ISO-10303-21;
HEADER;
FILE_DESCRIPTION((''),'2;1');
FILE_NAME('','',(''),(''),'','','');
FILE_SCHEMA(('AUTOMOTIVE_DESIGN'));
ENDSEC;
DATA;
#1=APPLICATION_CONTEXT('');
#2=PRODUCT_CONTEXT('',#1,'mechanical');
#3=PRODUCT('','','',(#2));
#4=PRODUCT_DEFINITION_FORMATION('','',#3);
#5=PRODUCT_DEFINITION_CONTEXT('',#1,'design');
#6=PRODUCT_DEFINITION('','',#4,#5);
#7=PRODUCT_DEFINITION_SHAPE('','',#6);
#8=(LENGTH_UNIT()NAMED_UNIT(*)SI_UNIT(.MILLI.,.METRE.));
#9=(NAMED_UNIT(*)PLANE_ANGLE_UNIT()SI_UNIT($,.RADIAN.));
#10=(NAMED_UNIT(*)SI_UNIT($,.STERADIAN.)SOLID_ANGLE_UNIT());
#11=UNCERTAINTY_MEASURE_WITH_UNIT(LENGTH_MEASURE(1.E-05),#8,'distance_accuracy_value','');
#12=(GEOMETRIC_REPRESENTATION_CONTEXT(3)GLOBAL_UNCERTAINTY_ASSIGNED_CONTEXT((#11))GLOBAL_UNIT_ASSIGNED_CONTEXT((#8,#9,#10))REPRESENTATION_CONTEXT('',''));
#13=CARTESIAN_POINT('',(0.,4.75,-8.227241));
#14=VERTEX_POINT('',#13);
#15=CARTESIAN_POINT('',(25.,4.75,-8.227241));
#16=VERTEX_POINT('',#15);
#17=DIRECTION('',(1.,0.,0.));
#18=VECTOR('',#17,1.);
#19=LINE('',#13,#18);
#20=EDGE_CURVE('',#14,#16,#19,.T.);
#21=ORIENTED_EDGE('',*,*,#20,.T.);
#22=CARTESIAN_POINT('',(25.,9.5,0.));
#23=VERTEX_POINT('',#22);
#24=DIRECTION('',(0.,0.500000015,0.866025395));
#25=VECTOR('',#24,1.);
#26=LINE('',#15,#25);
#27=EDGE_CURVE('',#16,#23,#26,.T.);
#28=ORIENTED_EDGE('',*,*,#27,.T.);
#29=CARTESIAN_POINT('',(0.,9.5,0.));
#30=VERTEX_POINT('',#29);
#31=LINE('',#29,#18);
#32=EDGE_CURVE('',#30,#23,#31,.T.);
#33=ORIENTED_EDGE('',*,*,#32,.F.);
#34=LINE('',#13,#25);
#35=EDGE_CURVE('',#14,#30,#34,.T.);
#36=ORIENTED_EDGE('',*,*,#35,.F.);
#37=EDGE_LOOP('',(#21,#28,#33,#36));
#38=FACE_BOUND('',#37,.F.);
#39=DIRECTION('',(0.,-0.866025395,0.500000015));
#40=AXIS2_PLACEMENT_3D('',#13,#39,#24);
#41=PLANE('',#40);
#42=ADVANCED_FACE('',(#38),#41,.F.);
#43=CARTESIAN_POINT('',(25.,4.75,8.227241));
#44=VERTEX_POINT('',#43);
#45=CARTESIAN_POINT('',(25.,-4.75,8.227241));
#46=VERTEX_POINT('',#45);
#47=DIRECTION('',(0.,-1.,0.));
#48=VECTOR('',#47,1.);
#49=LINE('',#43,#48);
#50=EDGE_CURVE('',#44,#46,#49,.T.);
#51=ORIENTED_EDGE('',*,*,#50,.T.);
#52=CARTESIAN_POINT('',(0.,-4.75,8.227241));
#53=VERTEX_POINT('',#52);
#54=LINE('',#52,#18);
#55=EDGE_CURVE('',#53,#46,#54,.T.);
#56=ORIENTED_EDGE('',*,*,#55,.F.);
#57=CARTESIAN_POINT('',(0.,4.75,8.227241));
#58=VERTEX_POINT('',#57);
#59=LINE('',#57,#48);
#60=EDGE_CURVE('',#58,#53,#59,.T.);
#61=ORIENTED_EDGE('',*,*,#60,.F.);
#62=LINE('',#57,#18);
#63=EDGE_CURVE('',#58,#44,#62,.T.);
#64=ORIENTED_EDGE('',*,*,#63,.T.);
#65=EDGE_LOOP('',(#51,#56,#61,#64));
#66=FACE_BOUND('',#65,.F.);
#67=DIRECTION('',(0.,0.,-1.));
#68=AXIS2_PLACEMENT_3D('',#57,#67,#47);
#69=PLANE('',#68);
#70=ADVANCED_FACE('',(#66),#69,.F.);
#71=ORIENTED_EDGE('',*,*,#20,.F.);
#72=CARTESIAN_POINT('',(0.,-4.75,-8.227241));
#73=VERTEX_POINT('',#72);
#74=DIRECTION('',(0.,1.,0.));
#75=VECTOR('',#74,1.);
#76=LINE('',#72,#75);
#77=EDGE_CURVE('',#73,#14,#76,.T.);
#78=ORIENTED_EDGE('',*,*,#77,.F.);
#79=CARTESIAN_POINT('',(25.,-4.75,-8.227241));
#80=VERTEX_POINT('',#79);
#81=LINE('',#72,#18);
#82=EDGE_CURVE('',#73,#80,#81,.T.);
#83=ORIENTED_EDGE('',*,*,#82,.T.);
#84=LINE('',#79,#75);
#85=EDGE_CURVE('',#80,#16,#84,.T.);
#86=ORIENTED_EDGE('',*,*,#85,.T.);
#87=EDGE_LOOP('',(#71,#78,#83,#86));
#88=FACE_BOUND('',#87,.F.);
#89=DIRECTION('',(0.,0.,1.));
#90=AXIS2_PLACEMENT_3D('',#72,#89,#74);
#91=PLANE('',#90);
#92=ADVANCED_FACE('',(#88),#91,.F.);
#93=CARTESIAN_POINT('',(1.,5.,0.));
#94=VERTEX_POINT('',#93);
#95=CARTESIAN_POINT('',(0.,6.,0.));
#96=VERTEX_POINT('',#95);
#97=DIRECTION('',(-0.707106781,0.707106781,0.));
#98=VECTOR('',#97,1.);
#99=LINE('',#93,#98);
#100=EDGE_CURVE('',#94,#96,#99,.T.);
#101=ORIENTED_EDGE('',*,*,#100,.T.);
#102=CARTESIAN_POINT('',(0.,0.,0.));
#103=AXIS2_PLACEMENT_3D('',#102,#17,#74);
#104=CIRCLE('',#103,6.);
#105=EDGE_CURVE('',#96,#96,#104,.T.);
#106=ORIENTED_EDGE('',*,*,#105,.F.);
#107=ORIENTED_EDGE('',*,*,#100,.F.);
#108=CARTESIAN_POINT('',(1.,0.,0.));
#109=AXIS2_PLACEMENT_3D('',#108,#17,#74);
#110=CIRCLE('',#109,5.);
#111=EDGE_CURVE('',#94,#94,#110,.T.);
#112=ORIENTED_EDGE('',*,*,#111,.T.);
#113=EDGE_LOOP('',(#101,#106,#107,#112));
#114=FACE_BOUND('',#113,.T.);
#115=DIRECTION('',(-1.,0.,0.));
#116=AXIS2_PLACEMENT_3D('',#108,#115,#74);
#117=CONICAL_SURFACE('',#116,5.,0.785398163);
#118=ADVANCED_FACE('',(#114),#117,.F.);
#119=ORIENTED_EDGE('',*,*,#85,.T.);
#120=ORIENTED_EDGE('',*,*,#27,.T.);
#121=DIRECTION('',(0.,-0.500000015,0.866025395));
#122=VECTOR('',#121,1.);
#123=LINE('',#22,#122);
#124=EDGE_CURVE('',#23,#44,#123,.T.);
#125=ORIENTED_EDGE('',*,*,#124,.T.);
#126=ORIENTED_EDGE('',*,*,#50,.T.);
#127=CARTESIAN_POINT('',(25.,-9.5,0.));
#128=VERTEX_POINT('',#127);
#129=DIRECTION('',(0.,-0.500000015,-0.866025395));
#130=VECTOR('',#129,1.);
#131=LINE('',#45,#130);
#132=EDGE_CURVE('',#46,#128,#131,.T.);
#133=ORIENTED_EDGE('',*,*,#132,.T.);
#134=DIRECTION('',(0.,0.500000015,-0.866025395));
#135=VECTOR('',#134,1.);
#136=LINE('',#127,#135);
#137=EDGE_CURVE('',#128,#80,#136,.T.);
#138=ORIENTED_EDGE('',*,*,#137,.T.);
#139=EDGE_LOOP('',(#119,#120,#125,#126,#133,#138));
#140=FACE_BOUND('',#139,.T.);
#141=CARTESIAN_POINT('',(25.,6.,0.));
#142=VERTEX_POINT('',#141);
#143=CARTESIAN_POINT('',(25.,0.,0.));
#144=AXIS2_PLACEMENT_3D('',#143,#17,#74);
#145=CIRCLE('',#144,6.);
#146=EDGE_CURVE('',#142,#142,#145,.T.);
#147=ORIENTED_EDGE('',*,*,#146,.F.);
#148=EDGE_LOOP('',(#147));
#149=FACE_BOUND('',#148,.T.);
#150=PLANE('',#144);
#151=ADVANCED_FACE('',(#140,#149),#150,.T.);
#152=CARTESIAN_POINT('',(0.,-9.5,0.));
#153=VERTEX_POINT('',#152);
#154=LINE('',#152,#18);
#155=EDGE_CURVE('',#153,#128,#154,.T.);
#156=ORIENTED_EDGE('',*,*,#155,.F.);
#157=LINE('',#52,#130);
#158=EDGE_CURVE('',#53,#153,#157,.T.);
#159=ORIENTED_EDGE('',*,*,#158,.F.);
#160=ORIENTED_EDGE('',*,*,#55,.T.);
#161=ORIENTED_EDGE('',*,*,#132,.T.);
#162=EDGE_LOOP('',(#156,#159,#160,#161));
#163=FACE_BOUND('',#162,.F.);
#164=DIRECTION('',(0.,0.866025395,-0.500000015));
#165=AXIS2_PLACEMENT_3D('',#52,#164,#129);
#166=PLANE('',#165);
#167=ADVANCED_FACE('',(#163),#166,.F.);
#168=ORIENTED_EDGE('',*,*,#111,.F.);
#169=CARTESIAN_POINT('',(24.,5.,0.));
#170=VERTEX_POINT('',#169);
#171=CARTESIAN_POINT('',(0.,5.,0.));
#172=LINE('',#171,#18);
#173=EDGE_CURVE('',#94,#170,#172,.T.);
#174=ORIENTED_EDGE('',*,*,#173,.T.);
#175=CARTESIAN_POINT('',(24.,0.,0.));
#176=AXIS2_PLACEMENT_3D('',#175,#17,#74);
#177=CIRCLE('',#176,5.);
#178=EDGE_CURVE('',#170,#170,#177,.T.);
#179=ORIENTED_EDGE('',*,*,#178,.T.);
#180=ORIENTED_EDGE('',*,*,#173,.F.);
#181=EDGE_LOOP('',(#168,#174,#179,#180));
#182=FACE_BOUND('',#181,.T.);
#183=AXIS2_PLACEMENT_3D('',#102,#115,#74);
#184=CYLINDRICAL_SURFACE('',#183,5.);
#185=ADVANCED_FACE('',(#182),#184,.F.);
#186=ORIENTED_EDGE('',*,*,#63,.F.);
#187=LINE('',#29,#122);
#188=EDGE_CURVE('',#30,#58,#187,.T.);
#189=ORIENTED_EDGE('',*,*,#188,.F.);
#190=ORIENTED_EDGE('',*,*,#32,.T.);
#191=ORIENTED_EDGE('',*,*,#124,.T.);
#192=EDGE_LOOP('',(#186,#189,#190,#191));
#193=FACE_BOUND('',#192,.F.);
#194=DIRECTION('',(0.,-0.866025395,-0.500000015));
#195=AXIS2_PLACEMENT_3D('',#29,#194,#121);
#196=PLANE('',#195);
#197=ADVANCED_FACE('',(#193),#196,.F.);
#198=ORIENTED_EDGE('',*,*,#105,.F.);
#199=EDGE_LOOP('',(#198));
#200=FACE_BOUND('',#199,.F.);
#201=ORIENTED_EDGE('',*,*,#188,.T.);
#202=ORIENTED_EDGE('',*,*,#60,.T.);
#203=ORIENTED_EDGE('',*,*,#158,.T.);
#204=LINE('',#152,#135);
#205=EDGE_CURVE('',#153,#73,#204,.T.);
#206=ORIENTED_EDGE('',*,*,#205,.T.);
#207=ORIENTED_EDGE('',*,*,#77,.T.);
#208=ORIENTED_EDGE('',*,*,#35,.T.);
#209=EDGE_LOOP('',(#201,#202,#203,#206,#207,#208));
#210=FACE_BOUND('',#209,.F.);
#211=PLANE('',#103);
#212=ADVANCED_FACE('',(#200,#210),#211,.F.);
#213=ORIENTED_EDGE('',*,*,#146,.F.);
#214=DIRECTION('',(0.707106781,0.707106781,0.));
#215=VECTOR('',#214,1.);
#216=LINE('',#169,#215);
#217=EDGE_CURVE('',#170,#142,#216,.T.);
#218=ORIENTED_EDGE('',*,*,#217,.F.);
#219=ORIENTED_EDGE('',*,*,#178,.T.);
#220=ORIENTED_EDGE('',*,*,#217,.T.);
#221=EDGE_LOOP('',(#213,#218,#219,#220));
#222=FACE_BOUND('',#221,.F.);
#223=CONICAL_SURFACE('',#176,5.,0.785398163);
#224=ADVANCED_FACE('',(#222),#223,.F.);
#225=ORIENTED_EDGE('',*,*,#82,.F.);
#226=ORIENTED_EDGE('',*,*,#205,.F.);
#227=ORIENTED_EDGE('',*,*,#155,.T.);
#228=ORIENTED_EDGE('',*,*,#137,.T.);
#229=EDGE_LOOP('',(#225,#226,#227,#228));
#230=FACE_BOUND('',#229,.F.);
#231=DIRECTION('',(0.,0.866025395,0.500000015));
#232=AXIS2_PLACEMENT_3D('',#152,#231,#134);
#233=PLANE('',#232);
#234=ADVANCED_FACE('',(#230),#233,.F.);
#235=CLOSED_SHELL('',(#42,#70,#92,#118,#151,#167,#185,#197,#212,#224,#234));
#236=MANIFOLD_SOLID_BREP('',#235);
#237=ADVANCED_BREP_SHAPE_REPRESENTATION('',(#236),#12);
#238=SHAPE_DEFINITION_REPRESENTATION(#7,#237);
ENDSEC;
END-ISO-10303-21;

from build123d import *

# Parameters (mm, degrees)
F0_R     = 5
F1_DEPTH = 25
F2_SIZE  = 1


with BuildPart() as f1:
    # F0 (on Right) → F1 (new body)
    with BuildSketch(Plane.YZ):
        Polygon((4.75, 8.227241), (-4.75, 8.227241), (-9.5, 0), (-4.75, -8.227241), (4.75, -8.227241), (9.5, 0), align=None)
        Circle(F0_R, mode=Mode.SUBTRACT)
    extrude(amount=F1_DEPTH)

    # F2
    f2_edges = [f1.edges().sort_by_distance(p)[0] for p in [
        (0, -5, 0),
        (25, -5, 0),
    ]]
    chamfer(f2_edges, length=F2_SIZE)


solid = f1.part
